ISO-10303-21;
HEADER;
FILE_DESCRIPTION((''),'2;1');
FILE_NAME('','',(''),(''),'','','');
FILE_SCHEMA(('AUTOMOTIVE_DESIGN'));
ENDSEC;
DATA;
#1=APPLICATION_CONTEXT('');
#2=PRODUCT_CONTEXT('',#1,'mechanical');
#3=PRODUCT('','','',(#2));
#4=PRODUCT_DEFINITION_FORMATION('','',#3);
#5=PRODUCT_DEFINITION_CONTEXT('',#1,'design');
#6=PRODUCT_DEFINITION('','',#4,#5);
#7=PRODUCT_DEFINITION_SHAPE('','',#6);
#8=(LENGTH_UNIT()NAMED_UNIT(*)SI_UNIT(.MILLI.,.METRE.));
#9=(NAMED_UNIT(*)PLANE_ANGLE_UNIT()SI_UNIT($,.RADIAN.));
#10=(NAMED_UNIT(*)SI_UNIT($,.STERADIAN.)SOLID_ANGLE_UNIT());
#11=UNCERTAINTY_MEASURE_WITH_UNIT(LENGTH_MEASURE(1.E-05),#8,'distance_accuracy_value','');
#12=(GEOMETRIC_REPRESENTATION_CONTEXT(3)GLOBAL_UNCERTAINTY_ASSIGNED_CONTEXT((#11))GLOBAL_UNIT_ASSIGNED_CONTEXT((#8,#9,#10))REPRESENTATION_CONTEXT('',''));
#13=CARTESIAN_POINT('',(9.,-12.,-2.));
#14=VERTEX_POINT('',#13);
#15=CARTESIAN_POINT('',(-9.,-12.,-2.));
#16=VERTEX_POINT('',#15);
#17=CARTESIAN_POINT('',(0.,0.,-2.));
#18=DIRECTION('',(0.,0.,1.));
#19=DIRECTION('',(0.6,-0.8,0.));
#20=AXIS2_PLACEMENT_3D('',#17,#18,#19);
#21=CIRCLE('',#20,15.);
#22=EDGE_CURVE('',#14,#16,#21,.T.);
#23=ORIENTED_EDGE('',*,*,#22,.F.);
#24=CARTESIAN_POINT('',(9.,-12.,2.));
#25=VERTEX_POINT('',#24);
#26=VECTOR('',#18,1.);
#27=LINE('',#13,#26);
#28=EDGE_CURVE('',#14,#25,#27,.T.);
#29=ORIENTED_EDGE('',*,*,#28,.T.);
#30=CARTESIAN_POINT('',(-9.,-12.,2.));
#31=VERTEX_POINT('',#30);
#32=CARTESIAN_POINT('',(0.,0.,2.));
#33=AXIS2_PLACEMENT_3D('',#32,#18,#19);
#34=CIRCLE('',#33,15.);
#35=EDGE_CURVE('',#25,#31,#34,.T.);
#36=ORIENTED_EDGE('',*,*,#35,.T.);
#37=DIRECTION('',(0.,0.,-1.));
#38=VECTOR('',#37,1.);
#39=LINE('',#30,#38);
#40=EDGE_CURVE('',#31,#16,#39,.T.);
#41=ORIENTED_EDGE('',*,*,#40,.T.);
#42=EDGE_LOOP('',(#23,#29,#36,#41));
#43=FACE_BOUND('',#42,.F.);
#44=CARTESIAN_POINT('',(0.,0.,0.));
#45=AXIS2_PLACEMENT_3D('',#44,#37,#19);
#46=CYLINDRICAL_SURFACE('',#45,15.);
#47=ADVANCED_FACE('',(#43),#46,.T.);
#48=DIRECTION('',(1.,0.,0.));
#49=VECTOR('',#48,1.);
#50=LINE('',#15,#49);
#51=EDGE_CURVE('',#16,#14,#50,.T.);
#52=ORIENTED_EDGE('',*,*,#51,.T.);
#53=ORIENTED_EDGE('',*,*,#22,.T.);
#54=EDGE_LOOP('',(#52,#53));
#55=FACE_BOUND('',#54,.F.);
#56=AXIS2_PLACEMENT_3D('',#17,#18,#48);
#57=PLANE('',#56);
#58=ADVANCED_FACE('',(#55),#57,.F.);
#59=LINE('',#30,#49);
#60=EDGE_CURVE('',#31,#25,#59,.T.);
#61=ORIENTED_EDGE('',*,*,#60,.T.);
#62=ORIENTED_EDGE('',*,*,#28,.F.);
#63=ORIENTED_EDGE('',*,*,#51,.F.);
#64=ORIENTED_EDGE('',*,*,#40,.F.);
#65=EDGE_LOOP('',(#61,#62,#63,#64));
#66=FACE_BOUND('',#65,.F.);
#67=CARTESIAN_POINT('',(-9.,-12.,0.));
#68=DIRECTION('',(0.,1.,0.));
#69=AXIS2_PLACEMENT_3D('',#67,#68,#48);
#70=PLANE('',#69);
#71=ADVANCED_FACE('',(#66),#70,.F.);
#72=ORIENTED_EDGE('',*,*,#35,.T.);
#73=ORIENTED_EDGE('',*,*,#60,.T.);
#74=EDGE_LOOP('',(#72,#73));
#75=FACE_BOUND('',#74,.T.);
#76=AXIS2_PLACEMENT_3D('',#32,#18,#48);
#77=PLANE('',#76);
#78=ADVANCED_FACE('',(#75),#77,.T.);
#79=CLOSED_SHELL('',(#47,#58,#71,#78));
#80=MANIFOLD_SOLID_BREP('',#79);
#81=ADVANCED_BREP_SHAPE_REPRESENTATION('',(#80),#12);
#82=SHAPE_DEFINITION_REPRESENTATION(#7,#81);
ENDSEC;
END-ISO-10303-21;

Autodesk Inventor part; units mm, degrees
ref_plane "YZ Plane" through (0, 0, 0) normal (1, 0, 0) x (0, 1, 0)
ref_plane "XZ Plane" through (0, 0, 0) normal (0, 1, 0) x (-1, 0, 0)
ref_plane "XY Plane" through (0, 0, 0) normal (0, 0, 1) x (1, 0, 0)
sketch "Sketch1" plane through (0, 0, 0) normal (0, 0, 1) x (1, 0, 0)
  arc A0 (9, -12) -> (-9, -12) centre (0, 0) ccw
  line L0 (-9, -12) -> (9, -12)
  dimension "d0" = 30
  dimension "d1" = 12
extrude "Extrusion1" add sketch "Sketch1" along normal mid plane 4
properties part number "Thermal pad 2" material "Rubber, Silicone"
